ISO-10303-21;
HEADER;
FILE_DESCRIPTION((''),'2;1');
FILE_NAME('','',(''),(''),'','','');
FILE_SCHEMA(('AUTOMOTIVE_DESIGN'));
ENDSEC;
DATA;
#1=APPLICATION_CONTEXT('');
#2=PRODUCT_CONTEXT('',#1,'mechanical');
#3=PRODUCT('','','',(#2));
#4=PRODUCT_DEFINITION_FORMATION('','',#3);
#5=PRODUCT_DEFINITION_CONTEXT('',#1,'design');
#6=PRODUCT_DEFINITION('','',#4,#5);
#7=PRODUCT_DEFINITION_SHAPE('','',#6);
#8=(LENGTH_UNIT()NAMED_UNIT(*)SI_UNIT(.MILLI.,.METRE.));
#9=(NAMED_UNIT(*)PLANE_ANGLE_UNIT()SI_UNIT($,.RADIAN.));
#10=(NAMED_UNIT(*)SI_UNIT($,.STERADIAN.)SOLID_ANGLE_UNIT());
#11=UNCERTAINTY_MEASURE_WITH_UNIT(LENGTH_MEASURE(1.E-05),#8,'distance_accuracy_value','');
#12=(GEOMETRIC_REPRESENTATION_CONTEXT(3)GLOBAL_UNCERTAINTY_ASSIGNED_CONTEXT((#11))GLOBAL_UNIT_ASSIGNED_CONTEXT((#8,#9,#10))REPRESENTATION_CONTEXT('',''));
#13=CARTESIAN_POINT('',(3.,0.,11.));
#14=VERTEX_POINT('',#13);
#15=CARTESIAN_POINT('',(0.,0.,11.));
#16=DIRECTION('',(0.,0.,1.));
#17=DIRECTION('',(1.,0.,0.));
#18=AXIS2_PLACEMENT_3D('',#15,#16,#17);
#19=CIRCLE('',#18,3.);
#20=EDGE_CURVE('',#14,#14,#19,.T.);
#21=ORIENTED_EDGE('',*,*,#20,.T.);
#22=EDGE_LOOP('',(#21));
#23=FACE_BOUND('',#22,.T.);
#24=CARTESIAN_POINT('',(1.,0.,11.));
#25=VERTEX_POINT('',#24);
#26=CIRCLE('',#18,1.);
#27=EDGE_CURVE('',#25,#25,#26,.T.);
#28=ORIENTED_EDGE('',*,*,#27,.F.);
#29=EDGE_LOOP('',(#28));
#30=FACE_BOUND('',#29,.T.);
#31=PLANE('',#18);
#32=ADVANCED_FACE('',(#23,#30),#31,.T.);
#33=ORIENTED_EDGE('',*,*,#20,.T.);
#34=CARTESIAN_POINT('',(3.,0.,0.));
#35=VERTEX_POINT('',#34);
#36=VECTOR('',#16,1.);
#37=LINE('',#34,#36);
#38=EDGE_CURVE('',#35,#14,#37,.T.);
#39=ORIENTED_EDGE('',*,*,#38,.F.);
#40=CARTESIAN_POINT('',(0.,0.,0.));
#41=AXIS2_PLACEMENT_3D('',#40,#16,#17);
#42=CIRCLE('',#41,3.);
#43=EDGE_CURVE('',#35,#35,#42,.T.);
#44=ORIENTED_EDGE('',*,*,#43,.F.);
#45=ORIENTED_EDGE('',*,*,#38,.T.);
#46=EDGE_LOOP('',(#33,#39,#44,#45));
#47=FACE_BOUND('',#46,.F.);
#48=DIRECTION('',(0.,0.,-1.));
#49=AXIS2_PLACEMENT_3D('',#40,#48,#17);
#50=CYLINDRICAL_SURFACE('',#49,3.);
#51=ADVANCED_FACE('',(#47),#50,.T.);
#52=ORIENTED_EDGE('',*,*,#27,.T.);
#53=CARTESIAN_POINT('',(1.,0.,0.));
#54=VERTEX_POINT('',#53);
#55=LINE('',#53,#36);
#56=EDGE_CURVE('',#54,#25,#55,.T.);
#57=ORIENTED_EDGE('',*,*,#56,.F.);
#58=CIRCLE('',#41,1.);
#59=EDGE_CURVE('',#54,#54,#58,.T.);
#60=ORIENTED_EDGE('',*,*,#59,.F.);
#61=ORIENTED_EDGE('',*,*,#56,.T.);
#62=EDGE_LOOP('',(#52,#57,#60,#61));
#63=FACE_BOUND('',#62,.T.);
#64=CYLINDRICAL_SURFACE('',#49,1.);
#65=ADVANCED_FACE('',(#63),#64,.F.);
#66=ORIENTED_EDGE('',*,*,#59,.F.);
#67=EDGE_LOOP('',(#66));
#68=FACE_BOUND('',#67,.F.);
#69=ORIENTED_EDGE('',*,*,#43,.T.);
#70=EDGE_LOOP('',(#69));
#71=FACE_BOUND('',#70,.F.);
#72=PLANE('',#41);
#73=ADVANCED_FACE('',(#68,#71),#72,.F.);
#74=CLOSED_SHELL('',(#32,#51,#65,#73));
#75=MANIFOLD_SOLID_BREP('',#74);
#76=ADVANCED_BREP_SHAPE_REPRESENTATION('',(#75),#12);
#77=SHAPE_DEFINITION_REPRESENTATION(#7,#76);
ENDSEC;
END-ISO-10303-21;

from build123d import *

# Parameters (mm, degrees)
SKETCH_R   = 3
SKETCH_R_2 = 1
PAD_DEPTH  = 11


with BuildPart() as part:
    # Sketch → Pad (new body)
    with BuildSketch(Plane.XY):
        Circle(SKETCH_R)
        Circle(SKETCH_R_2, mode=Mode.SUBTRACT)
    extrude(amount=PAD_DEPTH)


solid = part.part
